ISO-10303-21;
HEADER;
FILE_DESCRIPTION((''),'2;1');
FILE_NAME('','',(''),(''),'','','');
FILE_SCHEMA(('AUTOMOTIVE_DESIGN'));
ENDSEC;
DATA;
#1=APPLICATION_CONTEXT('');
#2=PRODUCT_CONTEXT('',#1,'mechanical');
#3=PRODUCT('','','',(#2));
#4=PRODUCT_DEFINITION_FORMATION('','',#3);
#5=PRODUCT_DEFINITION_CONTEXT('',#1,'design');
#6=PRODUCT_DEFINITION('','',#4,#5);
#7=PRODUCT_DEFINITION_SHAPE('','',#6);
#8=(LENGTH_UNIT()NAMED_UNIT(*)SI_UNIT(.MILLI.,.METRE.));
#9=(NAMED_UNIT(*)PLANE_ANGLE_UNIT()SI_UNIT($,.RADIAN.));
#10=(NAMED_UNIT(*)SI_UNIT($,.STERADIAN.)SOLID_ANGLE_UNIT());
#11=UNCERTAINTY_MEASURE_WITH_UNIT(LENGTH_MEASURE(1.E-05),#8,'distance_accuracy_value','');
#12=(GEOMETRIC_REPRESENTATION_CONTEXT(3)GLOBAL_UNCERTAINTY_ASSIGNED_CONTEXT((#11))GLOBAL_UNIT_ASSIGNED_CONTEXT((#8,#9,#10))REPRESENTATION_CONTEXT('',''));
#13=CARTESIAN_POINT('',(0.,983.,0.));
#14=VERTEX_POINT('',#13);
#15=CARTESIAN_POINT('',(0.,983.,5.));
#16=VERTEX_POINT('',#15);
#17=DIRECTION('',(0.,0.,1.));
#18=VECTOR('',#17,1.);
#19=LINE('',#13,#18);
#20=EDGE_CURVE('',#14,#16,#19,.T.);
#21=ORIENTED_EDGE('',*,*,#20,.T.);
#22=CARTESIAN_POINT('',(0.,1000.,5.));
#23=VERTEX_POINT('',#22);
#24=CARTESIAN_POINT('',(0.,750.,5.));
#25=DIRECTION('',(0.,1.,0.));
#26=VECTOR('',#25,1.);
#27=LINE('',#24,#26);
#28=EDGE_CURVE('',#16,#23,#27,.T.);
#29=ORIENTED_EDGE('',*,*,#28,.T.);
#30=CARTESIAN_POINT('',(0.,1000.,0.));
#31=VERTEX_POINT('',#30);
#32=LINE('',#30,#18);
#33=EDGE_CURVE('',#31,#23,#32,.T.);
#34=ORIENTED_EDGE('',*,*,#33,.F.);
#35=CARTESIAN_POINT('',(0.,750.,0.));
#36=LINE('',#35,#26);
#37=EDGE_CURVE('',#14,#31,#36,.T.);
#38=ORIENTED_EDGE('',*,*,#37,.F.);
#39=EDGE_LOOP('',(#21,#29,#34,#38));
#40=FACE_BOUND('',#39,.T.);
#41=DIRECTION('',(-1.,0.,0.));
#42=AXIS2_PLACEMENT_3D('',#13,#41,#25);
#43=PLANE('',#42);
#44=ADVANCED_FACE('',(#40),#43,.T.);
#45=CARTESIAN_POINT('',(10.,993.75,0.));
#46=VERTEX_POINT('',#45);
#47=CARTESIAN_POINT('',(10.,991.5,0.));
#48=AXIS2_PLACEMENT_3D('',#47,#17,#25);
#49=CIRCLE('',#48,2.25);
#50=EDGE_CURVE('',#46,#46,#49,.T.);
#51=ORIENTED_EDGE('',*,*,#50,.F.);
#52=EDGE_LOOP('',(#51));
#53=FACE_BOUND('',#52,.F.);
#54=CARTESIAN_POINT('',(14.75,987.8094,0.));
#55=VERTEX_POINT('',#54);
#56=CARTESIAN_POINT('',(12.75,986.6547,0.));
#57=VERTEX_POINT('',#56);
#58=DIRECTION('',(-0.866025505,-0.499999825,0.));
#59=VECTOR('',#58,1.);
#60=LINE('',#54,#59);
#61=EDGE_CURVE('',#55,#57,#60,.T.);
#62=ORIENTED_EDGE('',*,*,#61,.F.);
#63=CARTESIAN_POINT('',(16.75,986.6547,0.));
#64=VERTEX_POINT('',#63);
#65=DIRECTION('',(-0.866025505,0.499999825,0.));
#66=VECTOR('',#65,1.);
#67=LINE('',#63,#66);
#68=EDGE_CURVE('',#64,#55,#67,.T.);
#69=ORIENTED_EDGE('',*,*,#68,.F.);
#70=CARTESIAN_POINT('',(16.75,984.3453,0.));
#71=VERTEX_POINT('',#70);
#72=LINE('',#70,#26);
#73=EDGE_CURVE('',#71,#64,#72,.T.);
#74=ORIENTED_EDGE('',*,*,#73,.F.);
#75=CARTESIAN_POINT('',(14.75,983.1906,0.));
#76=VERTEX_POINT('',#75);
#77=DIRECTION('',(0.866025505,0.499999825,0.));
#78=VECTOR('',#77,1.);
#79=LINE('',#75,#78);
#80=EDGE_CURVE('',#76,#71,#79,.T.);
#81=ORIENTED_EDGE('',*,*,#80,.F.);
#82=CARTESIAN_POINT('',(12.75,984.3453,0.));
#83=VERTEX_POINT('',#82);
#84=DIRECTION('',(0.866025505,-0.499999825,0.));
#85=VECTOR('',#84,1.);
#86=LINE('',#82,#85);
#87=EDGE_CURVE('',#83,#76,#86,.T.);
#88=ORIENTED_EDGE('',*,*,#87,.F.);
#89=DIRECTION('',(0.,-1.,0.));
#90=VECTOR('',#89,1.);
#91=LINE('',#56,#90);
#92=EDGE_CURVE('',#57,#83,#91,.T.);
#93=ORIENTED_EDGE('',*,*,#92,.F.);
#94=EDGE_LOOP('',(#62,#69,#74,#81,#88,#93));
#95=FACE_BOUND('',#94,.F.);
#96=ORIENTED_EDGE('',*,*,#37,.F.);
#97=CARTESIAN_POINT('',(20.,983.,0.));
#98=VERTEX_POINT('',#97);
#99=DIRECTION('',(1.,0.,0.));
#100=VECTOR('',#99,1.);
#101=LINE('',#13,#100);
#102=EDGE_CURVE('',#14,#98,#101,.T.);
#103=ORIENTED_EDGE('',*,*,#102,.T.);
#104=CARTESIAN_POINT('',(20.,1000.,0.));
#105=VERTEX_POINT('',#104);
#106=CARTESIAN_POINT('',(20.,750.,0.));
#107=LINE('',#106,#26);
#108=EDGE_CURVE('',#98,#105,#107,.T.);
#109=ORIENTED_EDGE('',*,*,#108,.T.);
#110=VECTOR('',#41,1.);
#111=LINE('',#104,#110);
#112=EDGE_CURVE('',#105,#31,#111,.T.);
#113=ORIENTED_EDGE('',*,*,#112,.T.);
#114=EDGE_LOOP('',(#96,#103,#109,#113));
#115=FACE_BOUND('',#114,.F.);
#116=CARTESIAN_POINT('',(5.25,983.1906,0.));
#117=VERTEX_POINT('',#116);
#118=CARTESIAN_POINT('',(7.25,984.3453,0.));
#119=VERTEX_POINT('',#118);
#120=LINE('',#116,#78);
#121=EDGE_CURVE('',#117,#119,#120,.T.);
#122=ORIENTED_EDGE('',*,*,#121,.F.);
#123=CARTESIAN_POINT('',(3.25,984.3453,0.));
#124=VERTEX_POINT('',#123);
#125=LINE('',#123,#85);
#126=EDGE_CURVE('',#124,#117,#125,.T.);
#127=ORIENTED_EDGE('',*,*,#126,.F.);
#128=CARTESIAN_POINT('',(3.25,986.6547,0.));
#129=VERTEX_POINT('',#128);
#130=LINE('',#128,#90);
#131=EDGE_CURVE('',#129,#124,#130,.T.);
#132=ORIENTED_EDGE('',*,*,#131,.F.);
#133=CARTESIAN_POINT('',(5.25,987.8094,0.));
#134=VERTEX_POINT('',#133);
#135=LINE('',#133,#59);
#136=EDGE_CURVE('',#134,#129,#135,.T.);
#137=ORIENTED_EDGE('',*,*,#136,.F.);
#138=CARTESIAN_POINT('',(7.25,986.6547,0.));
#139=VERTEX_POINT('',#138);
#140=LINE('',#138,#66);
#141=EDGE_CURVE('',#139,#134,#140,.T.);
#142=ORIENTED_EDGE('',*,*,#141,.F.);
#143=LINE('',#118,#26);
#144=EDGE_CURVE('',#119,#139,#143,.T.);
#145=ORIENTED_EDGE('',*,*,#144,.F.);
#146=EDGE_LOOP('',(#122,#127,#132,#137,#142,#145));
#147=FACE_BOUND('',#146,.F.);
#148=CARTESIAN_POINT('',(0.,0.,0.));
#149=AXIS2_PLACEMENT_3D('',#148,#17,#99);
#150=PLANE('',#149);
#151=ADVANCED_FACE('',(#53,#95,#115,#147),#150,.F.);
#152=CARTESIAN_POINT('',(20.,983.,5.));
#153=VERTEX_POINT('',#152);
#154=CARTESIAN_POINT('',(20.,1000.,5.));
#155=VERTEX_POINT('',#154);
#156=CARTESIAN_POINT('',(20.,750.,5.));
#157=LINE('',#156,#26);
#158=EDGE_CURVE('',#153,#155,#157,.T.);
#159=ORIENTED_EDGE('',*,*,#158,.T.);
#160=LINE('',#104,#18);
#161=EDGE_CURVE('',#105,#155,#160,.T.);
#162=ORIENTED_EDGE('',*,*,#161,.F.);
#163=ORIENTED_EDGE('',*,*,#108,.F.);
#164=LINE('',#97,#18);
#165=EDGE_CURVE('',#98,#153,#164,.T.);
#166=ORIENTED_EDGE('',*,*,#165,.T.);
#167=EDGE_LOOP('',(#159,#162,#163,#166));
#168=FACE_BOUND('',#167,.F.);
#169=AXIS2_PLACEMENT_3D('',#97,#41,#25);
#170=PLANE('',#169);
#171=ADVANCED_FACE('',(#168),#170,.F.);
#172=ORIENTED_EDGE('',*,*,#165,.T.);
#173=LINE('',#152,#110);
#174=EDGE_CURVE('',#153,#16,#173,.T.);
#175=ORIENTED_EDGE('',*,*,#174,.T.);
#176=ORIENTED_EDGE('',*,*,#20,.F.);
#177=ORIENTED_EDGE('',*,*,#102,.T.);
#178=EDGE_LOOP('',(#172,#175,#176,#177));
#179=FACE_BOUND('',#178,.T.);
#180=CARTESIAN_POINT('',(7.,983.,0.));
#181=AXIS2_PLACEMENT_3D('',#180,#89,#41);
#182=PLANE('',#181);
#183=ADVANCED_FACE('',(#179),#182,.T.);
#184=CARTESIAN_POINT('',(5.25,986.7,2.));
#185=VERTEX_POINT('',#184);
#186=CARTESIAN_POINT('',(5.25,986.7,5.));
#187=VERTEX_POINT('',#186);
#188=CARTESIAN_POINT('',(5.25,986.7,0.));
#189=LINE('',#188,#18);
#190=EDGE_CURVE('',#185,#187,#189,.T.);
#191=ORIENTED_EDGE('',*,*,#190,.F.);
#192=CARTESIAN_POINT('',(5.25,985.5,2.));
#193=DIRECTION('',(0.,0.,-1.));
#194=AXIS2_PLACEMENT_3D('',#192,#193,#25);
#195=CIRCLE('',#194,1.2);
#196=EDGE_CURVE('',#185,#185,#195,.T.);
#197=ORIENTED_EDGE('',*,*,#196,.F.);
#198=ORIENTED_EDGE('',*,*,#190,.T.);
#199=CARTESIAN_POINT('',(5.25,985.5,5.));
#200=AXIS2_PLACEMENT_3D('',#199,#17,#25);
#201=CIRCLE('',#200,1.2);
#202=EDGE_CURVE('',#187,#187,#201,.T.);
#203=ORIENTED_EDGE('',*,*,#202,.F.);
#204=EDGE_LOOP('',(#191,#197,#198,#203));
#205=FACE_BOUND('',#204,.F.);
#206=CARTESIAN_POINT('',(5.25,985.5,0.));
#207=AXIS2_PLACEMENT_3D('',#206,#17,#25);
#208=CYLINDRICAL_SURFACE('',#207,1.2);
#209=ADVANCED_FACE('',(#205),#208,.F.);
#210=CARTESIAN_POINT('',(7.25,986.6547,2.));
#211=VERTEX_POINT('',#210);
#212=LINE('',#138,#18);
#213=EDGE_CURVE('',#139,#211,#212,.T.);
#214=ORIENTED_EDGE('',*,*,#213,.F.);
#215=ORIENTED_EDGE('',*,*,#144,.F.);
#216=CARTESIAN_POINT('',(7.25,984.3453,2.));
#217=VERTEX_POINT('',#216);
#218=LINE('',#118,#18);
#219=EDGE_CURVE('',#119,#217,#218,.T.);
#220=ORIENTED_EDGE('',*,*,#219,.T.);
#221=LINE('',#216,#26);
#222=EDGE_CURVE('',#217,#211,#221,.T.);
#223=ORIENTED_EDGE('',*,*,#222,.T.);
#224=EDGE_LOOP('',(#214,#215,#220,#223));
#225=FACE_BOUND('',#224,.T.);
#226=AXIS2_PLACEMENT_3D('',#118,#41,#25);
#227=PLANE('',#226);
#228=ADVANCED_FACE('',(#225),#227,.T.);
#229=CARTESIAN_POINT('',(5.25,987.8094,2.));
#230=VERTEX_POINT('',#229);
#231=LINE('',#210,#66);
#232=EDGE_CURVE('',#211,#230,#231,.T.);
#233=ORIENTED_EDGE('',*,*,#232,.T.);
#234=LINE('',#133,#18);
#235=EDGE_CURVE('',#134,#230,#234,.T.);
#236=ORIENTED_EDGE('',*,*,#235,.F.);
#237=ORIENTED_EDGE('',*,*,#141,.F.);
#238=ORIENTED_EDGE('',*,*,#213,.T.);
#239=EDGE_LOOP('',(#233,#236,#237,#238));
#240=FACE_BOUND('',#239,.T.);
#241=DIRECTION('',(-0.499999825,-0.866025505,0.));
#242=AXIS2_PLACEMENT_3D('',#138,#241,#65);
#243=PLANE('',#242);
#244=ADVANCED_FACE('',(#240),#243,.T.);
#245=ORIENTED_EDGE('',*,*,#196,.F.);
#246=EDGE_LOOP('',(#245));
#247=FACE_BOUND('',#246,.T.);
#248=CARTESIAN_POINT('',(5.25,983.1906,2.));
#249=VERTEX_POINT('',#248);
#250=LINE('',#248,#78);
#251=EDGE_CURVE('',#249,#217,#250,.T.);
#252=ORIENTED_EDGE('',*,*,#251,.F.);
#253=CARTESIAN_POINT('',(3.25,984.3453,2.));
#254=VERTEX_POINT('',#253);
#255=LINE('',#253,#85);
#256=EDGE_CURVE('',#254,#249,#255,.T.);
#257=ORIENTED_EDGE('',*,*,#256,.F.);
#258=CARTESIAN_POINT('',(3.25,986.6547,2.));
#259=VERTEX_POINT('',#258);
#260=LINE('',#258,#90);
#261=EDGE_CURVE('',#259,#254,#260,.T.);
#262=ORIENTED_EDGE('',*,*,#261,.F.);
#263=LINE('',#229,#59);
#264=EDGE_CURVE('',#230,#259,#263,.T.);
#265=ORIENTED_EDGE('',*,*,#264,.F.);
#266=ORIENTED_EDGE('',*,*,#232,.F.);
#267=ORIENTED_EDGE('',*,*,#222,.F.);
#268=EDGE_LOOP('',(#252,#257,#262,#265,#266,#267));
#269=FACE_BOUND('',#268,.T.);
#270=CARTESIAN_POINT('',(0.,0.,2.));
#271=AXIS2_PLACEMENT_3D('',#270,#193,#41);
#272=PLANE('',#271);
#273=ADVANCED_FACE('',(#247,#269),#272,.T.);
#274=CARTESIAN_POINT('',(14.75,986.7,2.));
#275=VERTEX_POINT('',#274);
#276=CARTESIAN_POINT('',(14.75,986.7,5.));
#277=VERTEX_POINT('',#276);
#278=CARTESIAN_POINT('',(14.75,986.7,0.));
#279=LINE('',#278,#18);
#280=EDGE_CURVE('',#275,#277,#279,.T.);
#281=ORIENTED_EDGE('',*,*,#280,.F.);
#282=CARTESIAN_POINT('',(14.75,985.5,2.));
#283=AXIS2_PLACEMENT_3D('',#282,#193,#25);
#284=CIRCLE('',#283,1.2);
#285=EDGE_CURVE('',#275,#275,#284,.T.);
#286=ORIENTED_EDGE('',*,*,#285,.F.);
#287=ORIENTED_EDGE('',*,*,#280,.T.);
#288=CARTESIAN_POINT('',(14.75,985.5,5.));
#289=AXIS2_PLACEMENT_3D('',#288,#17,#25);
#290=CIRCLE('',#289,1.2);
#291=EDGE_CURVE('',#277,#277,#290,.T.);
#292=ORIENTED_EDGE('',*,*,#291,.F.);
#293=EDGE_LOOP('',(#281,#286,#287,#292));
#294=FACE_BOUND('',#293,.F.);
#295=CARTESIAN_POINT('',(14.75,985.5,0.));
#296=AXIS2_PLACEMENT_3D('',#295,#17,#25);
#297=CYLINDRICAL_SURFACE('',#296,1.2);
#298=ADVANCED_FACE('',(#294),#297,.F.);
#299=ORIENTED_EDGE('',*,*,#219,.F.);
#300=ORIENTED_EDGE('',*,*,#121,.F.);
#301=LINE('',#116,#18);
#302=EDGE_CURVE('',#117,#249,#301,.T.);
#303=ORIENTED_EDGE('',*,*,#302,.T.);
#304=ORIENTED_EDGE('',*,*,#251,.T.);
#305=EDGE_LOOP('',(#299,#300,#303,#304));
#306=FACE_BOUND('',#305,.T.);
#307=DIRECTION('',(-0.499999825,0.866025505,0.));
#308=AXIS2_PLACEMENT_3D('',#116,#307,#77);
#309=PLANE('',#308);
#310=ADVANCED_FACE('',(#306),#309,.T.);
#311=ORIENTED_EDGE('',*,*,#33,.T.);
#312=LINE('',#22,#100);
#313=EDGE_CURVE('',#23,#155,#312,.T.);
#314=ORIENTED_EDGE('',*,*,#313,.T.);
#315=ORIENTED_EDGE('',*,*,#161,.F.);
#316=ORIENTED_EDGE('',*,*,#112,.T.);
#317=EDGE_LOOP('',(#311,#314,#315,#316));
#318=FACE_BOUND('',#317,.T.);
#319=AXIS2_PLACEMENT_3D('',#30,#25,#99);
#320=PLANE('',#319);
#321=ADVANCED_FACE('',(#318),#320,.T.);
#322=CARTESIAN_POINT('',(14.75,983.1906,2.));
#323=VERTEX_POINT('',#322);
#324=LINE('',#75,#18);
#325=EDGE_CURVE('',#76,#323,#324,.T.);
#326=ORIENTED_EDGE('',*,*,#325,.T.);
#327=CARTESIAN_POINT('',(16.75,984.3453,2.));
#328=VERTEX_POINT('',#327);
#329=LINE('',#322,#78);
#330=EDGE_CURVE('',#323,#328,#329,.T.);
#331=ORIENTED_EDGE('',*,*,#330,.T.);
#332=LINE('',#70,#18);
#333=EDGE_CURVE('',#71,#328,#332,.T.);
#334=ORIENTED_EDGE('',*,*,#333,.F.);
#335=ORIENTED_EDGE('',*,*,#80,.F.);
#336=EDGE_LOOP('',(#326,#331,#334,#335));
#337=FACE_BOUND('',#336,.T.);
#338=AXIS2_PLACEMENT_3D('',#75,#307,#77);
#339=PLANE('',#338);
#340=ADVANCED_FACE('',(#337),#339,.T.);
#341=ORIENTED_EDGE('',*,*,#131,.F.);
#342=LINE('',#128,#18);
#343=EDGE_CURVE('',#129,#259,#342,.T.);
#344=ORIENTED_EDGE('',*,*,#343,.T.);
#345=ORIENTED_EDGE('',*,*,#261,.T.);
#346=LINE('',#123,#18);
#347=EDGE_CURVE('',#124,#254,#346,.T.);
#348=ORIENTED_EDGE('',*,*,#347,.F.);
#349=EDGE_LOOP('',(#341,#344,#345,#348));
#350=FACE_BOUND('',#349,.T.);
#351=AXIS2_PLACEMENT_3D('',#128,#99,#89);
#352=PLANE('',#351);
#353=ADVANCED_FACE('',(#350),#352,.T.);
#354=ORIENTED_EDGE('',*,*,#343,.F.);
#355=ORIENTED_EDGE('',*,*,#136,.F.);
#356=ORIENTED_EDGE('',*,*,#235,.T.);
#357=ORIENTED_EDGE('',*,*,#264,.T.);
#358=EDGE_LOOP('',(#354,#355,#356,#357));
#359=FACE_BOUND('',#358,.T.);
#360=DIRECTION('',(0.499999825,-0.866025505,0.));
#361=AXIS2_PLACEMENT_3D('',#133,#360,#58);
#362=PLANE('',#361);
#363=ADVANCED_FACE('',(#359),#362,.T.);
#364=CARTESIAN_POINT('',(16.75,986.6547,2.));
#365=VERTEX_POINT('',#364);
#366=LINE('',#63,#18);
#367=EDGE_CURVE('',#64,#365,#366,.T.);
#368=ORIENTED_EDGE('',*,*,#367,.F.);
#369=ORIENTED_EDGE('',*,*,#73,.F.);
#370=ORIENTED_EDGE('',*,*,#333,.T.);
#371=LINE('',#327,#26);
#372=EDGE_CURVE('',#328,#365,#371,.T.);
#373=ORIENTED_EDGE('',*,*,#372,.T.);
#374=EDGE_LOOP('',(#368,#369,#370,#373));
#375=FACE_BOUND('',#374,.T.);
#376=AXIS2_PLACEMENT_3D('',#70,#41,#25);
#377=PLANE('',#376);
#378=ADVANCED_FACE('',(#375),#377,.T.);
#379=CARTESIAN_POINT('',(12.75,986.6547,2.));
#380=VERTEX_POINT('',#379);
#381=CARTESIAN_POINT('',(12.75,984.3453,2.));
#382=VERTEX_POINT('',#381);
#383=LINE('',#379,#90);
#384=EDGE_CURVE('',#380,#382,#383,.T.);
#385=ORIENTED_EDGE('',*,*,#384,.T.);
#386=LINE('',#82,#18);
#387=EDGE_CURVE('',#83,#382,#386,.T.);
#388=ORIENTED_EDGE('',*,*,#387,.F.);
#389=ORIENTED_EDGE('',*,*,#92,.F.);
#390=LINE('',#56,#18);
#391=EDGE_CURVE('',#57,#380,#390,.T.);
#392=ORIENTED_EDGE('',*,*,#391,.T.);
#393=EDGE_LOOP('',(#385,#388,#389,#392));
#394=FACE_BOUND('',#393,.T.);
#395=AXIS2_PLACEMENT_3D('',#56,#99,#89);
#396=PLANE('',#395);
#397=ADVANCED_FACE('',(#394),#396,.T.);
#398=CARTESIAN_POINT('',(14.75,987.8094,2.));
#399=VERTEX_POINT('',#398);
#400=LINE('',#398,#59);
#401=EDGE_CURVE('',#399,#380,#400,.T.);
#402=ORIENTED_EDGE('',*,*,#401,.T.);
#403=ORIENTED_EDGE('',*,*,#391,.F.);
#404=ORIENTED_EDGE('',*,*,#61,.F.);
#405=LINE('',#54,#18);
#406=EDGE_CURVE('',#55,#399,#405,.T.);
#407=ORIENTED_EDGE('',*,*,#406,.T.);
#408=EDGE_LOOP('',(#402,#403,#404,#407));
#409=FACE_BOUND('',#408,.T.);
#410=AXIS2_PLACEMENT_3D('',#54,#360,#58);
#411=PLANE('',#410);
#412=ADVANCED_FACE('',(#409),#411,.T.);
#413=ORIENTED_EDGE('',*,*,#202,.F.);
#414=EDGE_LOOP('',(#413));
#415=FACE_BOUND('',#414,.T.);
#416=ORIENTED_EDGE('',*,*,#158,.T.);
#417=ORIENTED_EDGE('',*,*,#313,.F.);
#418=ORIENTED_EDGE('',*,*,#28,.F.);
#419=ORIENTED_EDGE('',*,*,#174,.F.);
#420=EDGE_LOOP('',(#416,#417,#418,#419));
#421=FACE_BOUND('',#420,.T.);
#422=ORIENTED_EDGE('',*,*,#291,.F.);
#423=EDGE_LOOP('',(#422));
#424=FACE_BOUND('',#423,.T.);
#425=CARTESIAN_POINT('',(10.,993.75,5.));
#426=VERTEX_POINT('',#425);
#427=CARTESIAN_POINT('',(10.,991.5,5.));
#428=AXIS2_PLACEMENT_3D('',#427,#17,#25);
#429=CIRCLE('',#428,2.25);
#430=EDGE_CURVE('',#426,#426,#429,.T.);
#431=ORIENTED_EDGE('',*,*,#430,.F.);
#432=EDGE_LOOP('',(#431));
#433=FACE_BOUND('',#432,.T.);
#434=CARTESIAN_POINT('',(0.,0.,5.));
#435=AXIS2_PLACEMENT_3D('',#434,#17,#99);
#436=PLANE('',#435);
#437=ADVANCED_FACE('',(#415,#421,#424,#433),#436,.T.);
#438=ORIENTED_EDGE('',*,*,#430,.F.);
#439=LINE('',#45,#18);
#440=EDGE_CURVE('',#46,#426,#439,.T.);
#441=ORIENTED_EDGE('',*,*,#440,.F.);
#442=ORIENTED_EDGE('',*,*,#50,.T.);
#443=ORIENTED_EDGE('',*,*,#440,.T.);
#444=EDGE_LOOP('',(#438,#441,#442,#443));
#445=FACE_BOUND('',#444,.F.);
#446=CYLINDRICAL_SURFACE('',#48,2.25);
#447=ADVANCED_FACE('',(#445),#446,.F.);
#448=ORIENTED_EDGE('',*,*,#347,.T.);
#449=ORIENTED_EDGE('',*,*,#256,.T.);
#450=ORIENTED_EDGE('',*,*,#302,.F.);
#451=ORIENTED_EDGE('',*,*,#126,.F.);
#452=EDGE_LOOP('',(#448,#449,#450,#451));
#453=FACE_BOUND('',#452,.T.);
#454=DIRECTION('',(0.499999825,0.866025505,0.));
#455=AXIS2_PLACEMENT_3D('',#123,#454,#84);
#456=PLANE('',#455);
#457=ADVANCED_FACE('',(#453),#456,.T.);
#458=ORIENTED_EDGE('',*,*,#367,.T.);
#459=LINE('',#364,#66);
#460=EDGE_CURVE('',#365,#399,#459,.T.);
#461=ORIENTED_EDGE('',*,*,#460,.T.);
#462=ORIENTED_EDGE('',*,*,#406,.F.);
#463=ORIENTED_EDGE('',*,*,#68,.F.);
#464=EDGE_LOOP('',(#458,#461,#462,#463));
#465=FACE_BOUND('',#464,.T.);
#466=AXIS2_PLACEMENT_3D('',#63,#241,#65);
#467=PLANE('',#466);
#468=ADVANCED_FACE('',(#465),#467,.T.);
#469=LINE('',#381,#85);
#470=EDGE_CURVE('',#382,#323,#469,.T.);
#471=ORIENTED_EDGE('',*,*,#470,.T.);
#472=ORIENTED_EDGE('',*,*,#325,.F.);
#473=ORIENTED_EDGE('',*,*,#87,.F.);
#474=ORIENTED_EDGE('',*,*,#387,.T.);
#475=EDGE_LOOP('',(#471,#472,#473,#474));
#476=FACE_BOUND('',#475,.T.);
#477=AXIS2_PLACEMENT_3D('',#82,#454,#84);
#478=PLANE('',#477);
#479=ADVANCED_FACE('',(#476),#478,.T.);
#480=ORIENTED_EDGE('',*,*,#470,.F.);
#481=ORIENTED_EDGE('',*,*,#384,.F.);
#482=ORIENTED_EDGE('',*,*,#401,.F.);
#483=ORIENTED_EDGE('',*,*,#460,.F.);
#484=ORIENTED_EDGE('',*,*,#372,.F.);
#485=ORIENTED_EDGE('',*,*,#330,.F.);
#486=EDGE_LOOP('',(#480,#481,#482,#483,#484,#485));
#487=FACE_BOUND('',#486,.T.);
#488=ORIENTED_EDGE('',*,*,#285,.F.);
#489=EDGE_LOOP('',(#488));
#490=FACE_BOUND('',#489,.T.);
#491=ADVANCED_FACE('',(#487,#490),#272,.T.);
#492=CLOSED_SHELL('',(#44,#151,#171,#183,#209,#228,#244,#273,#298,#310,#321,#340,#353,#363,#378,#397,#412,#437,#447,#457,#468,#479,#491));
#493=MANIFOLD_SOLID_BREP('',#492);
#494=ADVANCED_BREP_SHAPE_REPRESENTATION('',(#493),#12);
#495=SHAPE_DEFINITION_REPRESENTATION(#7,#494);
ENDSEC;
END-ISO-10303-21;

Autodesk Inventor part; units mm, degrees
ref_plane "YZ Plane" through (0, 0, 0) normal (1, 0, 0) x (0, 1, 0)
ref_plane "XZ Plane" through (0, 0, 0) normal (0, 1, 0) x (-1, 0, 0)
ref_plane "XY Plane" through (0, 0, 0) normal (0, 0, 1) x (1, 0, 0)
ref_plane "Work Plane1" through (0, 0, 0) normal (0, 0, 1) x (1, 0, 0)
sketch "Sketch1" plane through (0, 0, 0) normal (0, 0, 1) x (1, 0, 0)
  line L0 (0, 750) -> (7, 750) projected
  line L1 (7, 750) -> (7, 1000) projected
  line L2 (0, 1000) -> (7, 1000) projected
  line L3 (0, 750) -> (0, 1000) projected
  line L4 (13, 750) -> (20, 750) projected
  line L5 (20, 750) -> (20, 1000) projected
  line L6 (13, 1000) -> (20, 1000) projected
  line L7 (13, 750) -> (13, 1000) projected
  line L8 (0, 1000) -> (20, 1000)
  line L9 (20, 1000) -> (20, 983)
  line L10 (20, 983) -> (0, 983)
  line L11 (0, 983) -> (0, 1000)
  line L12 (10, 1000) -> (10, 983) construction
  circle A0 centre (10, 991.5) radius 4.5 construction
  line L13 (0, 985.5) -> (20, 985.5) construction
  point P0 (0, 0)
  point P1 (5.25, 985.5)
  point P2 (14.75, 985.5)
  point P3 (0, 983)
  dimension "d0" = 9
  dimension "d3" = 9.5
  dimension "d4" = 2.5
  dimension "d5" = 17
extrude "Extrusion1" add sketch "Sketch1" along normal blind 5 contours L3 L2 L1 L10 | L1 L8 L7 L10 | L7 L6 L5 L10
hole "Hole1" at (5.25, 985.5, 0) at (14.75, 985.5, 0) direction (0, 0, 1) diameter 2.4 end through all clearance for "Hex Head Bolt / Nut GOST 12876-67" size "M2" standard "GOST"
hole "Hole2" at (10, 991.5, 0) direction (0, 0, 1) diameter 4.5 end through all clearance for "Hex Head Bolt / Nut GOST 12876-67" size "M4" standard "GOST"
sketch "Sketch2" plane through (0, 0, 0) normal (0, 0, -1) x (-1, 0, 0)
  circle A0 centre (-14.75, 985.5) radius 1.2 projected
  circle A1 centre (-5.25, 985.5) radius 1.2 projected
  line L0 (-12.75, 984.3453) -> (-14.75, 983.1906)
  line L1 (-14.75, 983.1906) -> (-16.75, 984.3453)
  line L2 (-16.75, 984.3453) -> (-16.75, 986.6547)
  line L3 (-16.75, 986.6547) -> (-14.75, 987.8094)
  line L4 (-14.75, 987.8094) -> (-12.75, 986.6547)
  line L5 (-12.75, 986.6547) -> (-12.75, 984.3453)
  line L6 (-7.25, 984.3453) -> (-7.25, 986.6547)
  line L7 (-7.25, 986.6547) -> (-5.25, 987.8094)
  line L8 (-5.25, 987.8094) -> (-3.25, 986.6547)
  line L9 (-3.25, 986.6547) -> (-3.25, 984.3453)
  line L10 (-3.25, 984.3453) -> (-5.25, 983.1906)
  line L11 (-5.25, 983.1906) -> (-7.25, 984.3453)
  line L12 (-20, 983) -> (-20, 1000) projected
  point P0 (0, 0)
  dimension "d22" = 4
extrude "Extrusion2" cut sketch "Sketch2" against normal blind 2
properties part number "ender"
